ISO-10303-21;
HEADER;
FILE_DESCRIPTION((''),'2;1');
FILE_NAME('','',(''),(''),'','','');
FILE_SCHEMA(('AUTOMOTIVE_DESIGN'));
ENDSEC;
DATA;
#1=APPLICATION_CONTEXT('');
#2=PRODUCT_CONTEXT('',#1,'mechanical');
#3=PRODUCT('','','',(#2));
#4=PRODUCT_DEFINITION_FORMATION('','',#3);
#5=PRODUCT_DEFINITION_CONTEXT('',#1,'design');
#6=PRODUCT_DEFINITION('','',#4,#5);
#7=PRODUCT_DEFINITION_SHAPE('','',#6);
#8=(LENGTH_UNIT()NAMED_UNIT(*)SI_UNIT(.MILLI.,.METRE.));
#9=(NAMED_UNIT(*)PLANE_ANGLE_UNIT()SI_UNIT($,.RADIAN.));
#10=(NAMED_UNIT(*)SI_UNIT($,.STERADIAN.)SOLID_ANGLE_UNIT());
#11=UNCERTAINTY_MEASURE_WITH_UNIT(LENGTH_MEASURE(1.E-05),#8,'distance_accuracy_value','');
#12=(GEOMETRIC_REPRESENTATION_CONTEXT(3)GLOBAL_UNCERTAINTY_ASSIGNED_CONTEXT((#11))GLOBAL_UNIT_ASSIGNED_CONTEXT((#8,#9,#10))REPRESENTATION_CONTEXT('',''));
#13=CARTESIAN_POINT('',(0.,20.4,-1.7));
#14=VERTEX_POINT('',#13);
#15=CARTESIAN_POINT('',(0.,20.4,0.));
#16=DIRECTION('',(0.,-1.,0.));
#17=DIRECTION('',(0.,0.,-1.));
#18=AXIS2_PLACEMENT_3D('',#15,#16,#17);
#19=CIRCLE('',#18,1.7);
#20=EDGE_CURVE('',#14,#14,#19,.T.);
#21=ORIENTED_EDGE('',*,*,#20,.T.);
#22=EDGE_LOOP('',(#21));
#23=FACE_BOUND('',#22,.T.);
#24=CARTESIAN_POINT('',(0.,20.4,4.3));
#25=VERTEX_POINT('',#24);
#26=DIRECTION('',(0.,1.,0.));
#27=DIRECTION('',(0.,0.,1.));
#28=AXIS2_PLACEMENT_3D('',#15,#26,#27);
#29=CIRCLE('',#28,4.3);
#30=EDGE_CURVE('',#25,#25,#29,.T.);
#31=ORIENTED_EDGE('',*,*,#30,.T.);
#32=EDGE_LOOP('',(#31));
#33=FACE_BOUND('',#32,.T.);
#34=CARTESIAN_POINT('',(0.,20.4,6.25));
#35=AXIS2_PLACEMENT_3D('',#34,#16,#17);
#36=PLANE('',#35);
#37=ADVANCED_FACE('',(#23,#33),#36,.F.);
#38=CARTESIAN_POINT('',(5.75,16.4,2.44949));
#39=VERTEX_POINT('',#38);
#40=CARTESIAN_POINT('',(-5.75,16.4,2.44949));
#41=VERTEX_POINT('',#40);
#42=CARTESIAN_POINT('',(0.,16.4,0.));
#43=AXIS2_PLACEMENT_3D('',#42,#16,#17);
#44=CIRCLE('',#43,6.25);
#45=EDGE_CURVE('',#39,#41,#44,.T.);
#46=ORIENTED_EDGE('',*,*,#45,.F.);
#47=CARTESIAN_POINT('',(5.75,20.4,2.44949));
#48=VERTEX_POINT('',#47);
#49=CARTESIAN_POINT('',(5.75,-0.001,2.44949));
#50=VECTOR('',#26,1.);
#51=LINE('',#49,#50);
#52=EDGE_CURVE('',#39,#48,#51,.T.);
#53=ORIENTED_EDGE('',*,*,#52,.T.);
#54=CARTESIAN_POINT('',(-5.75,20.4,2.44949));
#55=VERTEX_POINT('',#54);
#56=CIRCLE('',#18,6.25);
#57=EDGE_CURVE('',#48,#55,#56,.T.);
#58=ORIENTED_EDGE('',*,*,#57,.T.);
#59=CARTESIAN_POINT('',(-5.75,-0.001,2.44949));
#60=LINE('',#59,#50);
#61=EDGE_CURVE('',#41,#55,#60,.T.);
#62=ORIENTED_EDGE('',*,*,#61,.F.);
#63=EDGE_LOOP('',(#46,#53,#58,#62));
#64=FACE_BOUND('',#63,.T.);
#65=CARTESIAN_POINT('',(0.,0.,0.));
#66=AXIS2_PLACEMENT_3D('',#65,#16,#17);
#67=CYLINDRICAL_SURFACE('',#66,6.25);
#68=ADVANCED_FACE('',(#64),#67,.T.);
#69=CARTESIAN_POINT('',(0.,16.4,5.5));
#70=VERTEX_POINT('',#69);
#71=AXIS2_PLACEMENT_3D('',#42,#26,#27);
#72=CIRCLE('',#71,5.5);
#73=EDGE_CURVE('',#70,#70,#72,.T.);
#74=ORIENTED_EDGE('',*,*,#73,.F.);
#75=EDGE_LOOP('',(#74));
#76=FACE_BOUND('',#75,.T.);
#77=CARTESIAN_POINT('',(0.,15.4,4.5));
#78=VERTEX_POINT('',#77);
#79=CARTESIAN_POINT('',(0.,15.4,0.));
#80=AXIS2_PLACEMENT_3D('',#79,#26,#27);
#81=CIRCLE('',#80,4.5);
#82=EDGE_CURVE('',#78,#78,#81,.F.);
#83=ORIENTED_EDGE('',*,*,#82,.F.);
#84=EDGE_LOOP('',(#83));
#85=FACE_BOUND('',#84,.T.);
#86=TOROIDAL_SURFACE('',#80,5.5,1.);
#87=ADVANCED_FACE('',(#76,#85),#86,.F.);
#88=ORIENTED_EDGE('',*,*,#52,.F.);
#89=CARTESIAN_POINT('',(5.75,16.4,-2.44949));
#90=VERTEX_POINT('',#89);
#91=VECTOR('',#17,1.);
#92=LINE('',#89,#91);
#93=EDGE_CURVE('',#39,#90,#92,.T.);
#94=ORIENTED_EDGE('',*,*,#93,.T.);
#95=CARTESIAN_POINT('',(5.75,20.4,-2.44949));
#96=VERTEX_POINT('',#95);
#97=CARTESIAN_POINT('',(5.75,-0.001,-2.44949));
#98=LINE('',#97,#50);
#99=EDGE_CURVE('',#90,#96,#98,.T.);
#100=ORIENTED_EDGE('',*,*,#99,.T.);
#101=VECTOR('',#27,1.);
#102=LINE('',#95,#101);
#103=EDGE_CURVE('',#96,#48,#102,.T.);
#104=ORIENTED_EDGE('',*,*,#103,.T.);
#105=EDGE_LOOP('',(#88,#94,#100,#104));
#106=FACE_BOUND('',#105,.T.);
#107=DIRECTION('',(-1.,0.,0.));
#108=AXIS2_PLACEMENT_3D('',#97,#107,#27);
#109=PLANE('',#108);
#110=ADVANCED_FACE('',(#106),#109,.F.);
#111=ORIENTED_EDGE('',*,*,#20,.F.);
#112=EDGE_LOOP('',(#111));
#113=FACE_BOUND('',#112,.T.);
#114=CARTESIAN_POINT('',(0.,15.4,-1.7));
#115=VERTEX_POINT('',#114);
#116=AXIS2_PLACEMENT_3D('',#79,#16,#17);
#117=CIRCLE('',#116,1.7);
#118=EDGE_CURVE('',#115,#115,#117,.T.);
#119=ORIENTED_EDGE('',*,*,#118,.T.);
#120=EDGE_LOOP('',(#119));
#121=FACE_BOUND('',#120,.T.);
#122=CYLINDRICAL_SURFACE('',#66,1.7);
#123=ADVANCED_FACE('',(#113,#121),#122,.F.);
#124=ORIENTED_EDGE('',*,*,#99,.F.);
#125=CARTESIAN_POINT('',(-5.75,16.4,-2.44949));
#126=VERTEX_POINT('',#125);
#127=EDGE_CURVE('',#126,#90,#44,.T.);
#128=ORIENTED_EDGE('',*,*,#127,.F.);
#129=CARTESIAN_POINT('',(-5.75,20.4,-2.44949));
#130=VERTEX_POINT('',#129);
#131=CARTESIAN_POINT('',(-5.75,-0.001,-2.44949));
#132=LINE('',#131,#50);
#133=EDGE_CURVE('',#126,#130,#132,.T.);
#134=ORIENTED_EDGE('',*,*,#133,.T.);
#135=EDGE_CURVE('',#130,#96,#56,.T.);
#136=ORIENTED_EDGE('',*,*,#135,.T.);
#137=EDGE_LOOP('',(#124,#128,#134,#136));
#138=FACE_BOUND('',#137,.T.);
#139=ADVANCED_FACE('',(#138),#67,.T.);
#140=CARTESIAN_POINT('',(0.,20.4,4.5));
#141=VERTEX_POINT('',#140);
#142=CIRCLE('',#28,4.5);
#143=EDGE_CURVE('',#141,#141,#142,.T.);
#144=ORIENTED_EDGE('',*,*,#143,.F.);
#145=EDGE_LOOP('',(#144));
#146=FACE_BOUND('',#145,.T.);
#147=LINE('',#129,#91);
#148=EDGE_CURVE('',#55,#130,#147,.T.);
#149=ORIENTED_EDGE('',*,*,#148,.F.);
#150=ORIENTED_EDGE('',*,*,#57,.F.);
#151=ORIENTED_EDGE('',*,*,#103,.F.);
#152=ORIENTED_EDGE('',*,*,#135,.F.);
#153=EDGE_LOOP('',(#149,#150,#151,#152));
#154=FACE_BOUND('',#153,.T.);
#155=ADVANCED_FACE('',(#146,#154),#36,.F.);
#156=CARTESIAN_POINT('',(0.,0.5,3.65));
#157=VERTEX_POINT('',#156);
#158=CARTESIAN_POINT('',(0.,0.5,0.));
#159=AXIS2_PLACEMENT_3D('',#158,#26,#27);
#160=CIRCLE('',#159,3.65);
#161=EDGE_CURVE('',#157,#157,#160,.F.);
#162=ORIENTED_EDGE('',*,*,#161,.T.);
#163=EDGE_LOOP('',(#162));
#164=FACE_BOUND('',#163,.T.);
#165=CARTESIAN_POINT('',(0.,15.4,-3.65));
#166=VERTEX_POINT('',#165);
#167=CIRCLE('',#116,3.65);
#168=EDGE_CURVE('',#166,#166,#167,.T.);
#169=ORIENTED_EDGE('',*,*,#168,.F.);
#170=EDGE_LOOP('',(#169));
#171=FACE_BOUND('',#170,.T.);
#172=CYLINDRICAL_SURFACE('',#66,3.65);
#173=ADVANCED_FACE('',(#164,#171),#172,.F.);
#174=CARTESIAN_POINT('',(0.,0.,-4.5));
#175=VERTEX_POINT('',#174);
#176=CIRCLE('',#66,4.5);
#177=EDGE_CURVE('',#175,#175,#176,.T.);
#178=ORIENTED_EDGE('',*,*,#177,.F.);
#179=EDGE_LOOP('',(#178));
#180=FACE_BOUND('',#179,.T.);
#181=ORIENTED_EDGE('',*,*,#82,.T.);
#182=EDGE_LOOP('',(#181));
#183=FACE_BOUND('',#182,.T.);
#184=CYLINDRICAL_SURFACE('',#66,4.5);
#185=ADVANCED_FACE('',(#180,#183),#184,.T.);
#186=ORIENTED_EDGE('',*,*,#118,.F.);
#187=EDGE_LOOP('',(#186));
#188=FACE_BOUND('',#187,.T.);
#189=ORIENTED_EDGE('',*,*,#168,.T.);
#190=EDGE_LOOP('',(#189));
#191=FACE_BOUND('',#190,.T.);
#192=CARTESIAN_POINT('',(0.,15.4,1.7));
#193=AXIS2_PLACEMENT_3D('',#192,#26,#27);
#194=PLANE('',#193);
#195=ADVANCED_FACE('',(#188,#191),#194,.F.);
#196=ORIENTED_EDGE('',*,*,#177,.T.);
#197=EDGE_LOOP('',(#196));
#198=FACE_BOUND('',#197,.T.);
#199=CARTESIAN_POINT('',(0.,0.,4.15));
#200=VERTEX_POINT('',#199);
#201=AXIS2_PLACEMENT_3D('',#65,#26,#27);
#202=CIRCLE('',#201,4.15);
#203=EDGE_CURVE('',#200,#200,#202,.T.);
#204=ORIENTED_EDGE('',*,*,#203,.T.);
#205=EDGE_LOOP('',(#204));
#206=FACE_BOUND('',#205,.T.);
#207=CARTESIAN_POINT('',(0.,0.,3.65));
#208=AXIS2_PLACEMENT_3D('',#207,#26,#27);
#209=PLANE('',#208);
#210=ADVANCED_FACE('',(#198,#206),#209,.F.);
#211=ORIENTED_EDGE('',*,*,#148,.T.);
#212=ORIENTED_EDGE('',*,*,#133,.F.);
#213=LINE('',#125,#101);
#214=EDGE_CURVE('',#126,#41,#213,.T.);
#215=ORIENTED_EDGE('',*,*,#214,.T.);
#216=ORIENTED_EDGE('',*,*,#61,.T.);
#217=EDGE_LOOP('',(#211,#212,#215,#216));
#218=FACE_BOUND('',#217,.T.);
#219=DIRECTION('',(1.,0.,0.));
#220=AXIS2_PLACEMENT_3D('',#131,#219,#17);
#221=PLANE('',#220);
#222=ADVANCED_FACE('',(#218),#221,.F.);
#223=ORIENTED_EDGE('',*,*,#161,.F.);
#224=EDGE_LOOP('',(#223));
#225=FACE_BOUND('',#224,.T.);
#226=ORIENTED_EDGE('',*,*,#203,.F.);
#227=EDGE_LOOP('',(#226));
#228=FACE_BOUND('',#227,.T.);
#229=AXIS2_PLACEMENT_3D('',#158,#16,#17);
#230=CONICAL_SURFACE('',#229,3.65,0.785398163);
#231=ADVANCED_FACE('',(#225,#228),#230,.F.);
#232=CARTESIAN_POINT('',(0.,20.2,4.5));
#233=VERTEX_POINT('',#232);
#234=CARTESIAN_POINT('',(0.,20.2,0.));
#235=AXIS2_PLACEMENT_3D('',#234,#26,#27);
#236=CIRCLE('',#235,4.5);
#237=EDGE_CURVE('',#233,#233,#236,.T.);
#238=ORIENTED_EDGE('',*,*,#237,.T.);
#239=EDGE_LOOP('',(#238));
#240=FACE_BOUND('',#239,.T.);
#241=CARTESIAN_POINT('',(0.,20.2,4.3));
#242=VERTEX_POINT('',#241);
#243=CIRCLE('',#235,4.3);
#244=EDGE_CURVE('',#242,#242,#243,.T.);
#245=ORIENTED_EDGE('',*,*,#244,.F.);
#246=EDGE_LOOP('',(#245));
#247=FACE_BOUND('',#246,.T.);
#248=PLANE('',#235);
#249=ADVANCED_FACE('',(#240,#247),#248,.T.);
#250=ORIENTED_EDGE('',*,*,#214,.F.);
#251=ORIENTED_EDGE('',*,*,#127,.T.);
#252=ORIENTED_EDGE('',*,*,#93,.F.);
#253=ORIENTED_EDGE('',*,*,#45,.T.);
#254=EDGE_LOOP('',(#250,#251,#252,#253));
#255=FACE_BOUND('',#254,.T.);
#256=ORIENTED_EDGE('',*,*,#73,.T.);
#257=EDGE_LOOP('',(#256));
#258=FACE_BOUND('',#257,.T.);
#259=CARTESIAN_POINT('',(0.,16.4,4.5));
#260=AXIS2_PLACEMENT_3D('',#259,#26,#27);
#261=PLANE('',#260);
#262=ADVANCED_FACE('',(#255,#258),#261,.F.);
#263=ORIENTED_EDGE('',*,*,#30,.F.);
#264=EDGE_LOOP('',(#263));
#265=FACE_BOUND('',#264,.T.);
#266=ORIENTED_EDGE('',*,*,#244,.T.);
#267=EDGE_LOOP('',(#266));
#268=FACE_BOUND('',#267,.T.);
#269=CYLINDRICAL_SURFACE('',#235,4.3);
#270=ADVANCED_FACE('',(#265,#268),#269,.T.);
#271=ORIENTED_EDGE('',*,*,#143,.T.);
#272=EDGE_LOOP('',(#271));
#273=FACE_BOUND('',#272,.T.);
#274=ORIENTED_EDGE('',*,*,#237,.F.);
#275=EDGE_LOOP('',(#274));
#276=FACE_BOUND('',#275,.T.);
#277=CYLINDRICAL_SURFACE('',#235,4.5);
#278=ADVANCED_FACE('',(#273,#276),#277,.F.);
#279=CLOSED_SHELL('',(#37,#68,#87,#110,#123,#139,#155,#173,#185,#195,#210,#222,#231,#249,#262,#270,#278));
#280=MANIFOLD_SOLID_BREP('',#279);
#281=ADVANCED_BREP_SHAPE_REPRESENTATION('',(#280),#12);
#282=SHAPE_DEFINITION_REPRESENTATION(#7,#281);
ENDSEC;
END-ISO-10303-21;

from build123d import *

# Parameters (mm, degrees)
CHAMFER_1_SIZE      = 0.5
FILLET_1_R          = 1
CUT_EXTRUDE_1_REACH = 24.233
SKETCH_3_R          = 4.5
SKETCH_3_R_2        = 4.3
CUT_EXTRUDE_2_DEPTH = 0.2


with BuildPart() as part:
    # 草图1 → 旋转1 (revolve)
    with BuildSketch(Plane(origin=(0, 0, 0), x_dir=(0, 0, -1), z_dir=(1, 0, 0)), mode=Mode.PRIVATE) as revolve_1_sk:
        Polygon((-3.65, 0), (-4.5, 0), (-4.5, 16.4), (-6.25, 16.4), (-6.25, 20.4), (-1.7, 20.4), (-1.7, 15.4), (-3.65, 15.4), align=None)
    revolve(revolve_1_sk.sketch.rotate(Axis((0, 0, 0), (0, 1, 0)), 180), axis=Axis((0, 0, 0), (0, 1, 0)))

    # 倒角1
    chamfer_1_edges = [part.edges().sort_by_distance(p)[0] for p in [
        (0, 0, 3.65),
    ]]
    chamfer(chamfer_1_edges, length=CHAMFER_1_SIZE)

    # 圆角1
    fillet_1_edges = [part.edges().sort_by_distance(p)[0] for p in [
        (0, 16.4, 4.5),
    ]]
    fillet(fillet_1_edges, radius=FILLET_1_R)

    # 草图2 → 切除-拉伸1 (cut, up to next)
    with BuildSketch(Plane(origin=(0, 20.4, 0), x_dir=(1, 0, 0), z_dir=(0, 1, 0)), mode=Mode.PRIVATE) as cut_extrude_1_sk1:
        with BuildLine():
            Line((-5.75, 2.449489743), (-5.75, -2.449489743))
            ThreePointArc((-5.75, -2.449489743), (-6.25, 0), (-5.75, 2.449489743))
        make_face()
    cut_extrude_1_tool1 = extrude(cut_extrude_1_sk1.sketch, amount=-CUT_EXTRUDE_1_REACH, mode=Mode.PRIVATE) & part.part
    # 草图2 → 切除-拉伸1 (cut, up to next)
    with BuildSketch(Plane(origin=(0, 20.4, 0), x_dir=(1, 0, 0), z_dir=(0, 1, 0)), mode=Mode.PRIVATE) as cut_extrude_1_sk2:
        with BuildLine():
            Line((5.75, 2.449489743), (5.75, -2.449489743))
            ThreePointArc((5.75, -2.449489743), (6.25, 0), (5.75, 2.449489743))
        make_face()
    cut_extrude_1_tool2 = extrude(cut_extrude_1_sk2.sketch, amount=-CUT_EXTRUDE_1_REACH, mode=Mode.PRIVATE) & part.part
    add(cut_extrude_1_tool1.solids().sort_by_distance((-5.950702, 20.4, 0))[0], mode=Mode.SUBTRACT)
    add(cut_extrude_1_tool2.solids().sort_by_distance((5.950702, 20.4, 0))[0], mode=Mode.SUBTRACT)

    # 草图3 → 切除-拉伸2 (cut)
    with BuildSketch(Plane(origin=(0, 20.4, 0), x_dir=(1, 0, 0), z_dir=(0, 1, 0))):
        with Locations(Location((0, 0, 0), (0, 0, 90))):
            Circle(SKETCH_3_R)
        with Locations(Location((0, 0, 0), (0, 0, 270))):
            Circle(SKETCH_3_R_2, mode=Mode.SUBTRACT)
    extrude(amount=-CUT_EXTRUDE_2_DEPTH, mode=Mode.SUBTRACT)


solid = part.part
